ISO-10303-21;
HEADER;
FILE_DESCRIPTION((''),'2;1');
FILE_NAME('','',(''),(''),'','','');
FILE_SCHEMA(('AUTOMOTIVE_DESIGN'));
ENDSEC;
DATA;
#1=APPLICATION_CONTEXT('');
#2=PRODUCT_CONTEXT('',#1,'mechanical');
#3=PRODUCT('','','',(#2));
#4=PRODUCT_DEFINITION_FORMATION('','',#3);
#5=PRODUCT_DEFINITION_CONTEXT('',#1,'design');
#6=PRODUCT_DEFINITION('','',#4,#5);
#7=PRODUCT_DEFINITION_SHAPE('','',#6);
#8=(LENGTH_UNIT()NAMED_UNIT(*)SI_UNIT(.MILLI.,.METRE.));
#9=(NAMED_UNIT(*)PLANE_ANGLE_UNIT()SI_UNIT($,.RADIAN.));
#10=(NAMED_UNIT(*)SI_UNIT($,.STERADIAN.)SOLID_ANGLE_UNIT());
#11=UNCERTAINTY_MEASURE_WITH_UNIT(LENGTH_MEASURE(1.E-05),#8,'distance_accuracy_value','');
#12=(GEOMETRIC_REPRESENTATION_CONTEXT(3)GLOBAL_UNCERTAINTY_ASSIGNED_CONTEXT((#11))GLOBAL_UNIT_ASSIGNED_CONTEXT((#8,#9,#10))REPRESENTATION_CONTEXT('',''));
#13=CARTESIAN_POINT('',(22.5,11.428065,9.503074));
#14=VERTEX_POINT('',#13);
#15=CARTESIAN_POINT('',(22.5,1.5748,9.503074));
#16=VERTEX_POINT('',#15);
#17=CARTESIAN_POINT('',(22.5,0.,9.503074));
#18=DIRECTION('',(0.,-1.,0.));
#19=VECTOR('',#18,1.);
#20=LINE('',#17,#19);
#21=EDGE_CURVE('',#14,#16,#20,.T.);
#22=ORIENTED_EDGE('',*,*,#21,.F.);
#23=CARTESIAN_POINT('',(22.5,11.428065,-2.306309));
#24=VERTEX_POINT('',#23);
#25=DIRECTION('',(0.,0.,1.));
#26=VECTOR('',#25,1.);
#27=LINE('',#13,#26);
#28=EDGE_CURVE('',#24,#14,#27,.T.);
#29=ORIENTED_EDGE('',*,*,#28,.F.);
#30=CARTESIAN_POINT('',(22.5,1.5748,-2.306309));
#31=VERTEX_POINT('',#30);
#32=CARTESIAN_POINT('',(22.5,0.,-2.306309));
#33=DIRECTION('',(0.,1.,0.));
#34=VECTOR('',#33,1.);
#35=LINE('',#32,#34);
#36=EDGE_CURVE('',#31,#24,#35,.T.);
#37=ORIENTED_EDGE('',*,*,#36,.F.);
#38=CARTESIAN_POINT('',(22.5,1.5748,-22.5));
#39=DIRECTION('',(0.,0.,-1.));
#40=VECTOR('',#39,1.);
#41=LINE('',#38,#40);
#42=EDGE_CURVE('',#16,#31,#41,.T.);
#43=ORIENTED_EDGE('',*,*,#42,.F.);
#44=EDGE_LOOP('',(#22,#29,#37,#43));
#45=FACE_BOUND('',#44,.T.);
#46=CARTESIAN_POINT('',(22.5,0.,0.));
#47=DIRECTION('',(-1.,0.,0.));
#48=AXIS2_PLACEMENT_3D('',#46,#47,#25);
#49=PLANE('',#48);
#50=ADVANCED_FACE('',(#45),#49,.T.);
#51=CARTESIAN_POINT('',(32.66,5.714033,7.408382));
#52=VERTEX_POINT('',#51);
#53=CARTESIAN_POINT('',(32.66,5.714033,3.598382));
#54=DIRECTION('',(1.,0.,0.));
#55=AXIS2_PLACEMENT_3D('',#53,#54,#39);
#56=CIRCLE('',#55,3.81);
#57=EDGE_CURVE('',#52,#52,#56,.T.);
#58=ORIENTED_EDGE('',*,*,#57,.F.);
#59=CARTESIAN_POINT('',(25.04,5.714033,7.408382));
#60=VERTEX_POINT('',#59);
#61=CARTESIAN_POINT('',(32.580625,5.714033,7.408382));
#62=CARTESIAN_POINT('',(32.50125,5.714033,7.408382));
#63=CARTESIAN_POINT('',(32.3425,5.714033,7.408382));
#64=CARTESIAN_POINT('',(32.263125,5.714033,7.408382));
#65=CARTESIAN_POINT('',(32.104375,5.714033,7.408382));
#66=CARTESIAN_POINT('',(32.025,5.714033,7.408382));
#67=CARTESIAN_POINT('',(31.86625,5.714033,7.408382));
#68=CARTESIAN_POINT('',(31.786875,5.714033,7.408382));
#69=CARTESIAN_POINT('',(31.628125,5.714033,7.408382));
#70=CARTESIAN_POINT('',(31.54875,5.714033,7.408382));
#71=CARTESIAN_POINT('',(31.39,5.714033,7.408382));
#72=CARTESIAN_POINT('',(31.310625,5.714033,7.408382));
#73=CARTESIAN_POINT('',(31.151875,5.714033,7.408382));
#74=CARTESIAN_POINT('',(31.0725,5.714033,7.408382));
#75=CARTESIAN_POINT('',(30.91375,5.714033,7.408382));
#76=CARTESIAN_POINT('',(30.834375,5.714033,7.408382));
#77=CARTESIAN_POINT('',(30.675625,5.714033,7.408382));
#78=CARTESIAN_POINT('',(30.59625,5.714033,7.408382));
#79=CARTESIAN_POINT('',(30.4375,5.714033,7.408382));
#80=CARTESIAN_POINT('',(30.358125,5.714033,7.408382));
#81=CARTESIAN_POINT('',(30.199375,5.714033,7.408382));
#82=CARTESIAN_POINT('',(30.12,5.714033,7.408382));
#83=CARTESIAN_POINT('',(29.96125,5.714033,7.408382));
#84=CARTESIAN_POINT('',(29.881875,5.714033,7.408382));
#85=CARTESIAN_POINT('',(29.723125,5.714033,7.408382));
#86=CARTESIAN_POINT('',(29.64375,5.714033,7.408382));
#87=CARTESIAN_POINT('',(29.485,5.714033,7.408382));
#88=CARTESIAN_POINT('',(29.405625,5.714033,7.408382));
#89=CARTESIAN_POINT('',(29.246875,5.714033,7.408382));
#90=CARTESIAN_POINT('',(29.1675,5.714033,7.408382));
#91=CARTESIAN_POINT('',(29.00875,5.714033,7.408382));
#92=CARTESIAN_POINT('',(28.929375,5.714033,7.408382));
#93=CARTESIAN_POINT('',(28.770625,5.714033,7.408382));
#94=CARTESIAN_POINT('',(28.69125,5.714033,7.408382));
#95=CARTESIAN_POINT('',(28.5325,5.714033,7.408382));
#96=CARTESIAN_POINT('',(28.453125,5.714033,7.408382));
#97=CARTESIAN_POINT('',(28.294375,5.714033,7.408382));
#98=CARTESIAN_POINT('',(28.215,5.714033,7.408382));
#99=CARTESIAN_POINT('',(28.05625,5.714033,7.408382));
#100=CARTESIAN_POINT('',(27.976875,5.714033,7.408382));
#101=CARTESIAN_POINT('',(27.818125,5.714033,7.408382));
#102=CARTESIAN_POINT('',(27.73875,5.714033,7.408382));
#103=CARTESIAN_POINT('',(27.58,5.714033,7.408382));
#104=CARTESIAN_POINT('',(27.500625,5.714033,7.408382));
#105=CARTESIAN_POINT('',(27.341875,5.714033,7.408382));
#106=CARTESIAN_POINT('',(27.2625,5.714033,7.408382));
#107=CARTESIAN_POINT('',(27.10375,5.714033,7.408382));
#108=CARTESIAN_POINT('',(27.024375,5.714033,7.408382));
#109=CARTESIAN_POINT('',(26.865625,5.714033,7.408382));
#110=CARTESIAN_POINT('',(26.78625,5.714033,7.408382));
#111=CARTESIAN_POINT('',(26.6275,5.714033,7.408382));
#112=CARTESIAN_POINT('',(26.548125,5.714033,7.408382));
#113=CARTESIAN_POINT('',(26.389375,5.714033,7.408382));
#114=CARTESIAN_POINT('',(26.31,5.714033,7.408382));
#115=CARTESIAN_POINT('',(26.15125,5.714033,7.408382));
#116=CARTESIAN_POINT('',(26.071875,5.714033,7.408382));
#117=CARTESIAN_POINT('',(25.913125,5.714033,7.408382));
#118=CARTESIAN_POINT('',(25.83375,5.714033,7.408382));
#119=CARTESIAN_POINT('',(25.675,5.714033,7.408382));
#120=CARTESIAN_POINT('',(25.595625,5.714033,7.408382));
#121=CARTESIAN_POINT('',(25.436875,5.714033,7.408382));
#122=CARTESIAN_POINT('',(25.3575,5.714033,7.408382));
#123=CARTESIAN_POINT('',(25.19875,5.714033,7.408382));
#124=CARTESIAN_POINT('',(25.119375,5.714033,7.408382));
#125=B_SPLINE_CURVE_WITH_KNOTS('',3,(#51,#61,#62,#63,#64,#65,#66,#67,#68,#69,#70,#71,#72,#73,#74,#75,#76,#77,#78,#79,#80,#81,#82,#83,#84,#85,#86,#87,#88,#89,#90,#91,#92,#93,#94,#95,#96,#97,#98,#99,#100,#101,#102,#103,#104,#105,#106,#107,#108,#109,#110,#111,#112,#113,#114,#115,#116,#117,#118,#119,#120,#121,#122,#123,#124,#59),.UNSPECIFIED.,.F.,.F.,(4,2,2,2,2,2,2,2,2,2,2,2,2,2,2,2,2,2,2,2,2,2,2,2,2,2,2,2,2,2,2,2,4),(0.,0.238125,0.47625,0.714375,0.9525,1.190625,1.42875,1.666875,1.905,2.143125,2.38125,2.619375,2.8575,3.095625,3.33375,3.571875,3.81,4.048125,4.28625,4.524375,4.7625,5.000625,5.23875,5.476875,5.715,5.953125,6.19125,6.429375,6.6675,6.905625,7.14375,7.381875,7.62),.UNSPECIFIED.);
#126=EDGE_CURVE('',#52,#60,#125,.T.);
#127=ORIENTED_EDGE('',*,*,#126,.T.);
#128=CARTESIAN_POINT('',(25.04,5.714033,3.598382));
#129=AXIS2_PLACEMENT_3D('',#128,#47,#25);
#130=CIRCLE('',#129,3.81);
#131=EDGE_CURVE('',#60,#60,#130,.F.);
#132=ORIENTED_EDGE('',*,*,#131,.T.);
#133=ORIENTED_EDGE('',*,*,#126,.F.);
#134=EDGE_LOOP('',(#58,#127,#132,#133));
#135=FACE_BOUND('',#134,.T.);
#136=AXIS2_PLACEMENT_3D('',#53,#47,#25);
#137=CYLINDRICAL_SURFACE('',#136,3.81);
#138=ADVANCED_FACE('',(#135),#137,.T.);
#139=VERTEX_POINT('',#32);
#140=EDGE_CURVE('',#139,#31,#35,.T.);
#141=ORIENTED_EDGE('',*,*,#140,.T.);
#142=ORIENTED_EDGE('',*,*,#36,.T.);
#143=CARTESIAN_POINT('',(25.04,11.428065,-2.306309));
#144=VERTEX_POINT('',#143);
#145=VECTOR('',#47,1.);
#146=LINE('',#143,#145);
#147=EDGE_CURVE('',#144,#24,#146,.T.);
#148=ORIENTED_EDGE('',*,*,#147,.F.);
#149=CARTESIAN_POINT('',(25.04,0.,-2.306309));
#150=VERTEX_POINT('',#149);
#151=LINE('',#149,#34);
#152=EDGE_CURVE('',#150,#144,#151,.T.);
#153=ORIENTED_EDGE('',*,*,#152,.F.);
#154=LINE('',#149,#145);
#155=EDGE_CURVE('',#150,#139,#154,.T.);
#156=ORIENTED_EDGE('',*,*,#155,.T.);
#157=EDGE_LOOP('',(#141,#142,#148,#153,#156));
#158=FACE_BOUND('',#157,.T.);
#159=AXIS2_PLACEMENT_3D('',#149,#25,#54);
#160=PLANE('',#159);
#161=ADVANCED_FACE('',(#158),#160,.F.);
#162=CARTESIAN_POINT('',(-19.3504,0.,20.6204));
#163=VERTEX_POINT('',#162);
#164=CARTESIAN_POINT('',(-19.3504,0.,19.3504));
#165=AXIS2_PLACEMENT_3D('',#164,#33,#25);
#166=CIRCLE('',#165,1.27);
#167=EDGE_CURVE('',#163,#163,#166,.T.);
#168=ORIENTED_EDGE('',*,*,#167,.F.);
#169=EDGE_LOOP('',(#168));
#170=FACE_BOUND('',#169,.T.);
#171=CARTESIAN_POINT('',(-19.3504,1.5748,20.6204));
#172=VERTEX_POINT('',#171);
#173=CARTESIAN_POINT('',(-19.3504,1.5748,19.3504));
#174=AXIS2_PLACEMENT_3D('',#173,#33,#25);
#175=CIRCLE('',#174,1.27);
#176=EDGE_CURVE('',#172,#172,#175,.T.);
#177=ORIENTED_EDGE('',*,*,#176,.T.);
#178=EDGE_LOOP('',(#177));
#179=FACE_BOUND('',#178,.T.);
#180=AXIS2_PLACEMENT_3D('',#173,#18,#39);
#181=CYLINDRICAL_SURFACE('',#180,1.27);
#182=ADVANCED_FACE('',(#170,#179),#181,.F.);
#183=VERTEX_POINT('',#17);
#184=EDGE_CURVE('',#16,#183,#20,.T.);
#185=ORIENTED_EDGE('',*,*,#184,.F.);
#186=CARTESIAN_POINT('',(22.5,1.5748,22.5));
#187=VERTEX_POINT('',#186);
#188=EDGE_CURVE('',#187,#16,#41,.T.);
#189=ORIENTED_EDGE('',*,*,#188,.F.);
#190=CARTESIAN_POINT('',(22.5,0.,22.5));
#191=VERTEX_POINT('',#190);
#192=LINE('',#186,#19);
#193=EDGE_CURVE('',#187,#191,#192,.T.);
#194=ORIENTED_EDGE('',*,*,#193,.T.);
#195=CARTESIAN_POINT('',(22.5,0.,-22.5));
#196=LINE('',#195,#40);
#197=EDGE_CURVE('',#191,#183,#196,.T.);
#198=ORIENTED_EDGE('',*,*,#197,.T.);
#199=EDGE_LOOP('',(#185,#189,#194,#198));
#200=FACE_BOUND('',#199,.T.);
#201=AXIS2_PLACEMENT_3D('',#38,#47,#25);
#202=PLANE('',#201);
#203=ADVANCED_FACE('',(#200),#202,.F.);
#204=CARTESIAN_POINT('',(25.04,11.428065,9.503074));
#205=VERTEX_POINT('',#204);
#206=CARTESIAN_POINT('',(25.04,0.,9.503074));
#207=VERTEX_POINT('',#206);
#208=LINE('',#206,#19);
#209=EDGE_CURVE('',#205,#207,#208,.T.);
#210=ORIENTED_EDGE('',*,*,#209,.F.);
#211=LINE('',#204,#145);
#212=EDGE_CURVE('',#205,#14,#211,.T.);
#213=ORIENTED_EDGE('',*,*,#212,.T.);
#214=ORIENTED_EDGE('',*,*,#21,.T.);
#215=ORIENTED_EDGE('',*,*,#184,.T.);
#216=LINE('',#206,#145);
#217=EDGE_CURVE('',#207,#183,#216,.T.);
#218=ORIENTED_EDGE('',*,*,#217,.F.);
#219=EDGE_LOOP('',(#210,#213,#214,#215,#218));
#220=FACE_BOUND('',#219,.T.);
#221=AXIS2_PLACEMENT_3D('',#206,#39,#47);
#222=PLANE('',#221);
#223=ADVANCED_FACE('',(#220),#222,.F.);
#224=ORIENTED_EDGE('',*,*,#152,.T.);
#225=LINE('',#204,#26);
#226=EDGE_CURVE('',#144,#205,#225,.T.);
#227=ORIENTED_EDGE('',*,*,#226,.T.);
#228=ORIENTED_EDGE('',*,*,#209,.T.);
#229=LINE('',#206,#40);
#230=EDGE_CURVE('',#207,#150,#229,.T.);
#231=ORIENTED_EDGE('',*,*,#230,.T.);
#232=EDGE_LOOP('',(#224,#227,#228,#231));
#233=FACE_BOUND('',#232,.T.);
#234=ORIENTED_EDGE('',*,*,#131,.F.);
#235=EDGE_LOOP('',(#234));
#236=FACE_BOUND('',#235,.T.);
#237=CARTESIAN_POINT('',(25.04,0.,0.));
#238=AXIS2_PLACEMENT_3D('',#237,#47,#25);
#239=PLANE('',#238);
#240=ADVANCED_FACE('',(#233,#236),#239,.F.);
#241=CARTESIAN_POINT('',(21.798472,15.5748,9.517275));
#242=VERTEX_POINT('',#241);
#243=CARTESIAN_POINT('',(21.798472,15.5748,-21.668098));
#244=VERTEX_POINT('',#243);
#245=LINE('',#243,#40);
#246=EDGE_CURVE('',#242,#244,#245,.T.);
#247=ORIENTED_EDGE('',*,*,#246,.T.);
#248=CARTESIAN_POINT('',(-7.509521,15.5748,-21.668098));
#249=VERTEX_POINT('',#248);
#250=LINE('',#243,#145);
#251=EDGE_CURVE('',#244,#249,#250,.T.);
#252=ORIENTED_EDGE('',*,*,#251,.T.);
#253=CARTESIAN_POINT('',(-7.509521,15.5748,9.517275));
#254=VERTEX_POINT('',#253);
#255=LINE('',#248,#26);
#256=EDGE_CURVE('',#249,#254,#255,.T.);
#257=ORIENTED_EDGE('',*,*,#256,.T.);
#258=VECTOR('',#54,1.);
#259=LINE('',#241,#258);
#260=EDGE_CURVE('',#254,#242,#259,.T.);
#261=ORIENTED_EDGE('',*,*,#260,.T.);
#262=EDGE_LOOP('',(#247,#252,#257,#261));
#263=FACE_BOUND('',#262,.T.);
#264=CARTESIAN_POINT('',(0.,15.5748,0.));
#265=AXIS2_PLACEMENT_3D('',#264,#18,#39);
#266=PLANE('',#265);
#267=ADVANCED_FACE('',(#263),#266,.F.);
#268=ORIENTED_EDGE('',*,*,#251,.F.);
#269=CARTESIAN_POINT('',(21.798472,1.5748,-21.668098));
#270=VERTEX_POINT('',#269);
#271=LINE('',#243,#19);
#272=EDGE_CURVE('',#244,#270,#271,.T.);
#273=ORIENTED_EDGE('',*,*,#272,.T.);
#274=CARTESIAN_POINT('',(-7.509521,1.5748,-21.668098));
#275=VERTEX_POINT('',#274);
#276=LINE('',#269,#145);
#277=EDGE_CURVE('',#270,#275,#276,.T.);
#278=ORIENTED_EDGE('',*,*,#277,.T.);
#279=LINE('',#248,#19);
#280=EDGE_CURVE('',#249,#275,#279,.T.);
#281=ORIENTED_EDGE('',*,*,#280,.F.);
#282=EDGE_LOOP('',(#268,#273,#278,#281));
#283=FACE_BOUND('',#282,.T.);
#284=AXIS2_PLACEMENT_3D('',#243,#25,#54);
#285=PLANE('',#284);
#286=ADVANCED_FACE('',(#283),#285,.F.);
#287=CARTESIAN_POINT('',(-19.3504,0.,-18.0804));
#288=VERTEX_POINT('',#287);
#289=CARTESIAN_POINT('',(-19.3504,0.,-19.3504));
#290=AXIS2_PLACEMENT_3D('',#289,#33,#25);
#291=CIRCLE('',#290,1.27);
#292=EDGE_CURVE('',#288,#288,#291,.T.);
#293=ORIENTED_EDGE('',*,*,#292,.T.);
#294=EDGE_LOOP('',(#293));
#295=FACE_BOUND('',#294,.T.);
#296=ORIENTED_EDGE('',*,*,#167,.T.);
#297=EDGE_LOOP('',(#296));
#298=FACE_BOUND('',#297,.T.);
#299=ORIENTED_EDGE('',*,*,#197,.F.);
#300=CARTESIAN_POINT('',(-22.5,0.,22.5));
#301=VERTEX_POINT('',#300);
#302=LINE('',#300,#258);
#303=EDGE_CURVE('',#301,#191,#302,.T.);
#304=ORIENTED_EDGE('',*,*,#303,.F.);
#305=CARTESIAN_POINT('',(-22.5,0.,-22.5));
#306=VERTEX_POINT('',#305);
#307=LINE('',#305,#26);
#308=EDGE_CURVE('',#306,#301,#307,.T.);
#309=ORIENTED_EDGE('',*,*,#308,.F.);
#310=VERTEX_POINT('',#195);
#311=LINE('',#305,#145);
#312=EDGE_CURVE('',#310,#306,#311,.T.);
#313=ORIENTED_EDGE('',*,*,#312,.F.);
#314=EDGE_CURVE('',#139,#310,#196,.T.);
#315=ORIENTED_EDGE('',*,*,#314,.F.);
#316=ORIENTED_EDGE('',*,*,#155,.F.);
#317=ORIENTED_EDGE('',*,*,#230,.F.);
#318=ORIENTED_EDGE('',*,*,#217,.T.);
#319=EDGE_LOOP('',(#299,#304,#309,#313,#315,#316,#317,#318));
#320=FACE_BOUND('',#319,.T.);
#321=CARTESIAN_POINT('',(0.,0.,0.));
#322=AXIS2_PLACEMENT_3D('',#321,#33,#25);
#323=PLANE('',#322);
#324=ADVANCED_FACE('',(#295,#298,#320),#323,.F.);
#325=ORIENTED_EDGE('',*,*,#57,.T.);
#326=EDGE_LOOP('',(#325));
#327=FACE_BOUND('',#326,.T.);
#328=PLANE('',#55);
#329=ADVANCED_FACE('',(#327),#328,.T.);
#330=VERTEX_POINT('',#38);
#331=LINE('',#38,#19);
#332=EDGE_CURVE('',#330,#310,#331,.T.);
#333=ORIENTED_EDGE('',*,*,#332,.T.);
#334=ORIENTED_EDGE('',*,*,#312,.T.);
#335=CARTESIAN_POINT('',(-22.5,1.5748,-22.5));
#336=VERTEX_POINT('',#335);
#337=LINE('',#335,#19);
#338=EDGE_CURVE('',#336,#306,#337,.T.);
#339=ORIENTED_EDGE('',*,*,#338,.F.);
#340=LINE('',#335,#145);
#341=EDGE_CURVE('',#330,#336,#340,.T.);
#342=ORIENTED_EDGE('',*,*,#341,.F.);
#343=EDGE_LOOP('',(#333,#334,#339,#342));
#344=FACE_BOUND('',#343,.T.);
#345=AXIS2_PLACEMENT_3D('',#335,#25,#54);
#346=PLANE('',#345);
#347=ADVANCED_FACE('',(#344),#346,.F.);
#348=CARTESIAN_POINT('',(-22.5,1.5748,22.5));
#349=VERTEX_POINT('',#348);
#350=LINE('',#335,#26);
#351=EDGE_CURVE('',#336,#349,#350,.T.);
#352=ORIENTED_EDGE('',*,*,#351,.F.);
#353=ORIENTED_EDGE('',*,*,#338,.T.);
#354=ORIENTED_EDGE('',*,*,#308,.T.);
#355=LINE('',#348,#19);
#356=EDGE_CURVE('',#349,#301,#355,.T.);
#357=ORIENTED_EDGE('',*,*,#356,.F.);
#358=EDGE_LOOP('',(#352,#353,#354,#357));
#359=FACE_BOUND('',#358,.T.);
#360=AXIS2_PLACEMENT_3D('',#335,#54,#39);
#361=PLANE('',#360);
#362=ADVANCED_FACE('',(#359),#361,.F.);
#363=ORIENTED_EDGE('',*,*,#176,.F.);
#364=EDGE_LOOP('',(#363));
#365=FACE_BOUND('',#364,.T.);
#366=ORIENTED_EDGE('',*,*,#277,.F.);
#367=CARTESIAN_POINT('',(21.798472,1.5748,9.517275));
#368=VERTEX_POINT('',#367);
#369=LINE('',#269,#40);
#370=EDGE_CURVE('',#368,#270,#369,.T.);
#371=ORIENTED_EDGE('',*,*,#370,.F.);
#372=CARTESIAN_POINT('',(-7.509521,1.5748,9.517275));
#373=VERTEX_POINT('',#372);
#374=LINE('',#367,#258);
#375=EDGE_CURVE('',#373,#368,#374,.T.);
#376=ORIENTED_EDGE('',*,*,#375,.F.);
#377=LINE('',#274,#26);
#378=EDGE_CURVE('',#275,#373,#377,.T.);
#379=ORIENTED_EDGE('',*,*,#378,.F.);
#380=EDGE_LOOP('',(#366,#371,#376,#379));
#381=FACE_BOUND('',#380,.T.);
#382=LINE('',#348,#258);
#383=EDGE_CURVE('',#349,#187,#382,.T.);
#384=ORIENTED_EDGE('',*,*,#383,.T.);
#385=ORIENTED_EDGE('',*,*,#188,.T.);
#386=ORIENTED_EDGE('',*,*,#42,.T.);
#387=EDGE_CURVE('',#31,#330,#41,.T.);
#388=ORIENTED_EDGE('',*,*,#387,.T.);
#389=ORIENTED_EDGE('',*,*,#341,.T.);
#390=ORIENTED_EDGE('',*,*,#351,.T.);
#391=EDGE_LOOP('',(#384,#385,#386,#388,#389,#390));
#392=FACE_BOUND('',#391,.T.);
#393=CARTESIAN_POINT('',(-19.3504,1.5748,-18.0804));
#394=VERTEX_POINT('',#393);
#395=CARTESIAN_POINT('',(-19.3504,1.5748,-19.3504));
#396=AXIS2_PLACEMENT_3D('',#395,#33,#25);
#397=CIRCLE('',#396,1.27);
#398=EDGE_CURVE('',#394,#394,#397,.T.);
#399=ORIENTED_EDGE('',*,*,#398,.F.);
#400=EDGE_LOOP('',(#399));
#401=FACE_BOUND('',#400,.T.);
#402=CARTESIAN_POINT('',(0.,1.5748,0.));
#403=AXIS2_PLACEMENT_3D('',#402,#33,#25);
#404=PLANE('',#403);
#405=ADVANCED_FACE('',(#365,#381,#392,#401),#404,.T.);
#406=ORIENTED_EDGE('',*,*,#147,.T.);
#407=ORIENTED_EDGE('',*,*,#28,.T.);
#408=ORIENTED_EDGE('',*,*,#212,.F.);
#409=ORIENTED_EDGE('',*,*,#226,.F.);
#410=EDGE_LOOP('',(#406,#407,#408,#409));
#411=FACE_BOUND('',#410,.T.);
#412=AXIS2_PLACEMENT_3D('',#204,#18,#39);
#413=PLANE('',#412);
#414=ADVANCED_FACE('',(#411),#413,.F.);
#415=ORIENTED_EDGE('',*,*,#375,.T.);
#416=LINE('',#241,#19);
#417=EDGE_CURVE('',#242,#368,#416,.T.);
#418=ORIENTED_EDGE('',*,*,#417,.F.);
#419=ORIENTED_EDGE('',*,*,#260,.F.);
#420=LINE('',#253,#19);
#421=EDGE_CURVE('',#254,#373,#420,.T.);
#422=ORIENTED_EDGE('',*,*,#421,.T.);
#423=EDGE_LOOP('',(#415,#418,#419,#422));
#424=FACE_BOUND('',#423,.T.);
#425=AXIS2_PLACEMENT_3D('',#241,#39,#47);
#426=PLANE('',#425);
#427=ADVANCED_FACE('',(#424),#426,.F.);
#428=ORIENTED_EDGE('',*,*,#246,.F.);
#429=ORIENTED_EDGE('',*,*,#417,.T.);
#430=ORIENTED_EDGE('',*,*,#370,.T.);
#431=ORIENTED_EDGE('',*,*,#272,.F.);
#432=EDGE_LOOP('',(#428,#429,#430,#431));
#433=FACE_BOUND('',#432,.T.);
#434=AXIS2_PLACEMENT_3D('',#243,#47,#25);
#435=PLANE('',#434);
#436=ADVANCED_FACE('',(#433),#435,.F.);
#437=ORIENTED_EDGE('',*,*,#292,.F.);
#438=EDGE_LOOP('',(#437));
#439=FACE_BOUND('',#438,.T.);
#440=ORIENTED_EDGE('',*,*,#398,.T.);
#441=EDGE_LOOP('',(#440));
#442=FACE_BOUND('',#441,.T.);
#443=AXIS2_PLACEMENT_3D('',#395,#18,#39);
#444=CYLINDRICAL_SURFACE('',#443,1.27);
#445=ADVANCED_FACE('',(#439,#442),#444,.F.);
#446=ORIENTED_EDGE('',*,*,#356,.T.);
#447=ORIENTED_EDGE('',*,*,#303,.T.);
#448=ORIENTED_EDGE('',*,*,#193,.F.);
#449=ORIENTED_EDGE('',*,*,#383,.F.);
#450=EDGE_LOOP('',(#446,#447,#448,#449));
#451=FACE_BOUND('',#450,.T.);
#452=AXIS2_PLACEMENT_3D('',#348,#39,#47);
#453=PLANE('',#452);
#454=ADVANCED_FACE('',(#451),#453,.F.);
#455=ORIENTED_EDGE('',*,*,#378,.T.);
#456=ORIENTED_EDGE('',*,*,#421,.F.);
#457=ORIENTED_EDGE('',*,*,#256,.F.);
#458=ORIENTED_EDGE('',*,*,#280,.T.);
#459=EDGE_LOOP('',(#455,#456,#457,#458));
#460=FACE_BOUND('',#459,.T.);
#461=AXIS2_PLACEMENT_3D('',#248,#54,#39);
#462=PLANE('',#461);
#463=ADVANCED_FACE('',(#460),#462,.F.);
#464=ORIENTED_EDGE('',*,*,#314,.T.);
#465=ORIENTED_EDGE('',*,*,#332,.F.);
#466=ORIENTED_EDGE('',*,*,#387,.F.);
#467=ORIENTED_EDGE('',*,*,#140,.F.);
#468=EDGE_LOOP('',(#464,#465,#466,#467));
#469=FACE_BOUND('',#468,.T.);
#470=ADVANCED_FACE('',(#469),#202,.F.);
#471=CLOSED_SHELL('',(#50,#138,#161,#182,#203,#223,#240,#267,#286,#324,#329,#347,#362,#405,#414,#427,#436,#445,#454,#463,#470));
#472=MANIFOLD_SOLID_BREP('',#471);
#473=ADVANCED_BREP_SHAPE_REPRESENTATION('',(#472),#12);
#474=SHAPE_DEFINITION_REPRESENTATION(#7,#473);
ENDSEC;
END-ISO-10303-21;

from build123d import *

# Parameters (mm, degrees)
SKETCH1_W           = 45
SKETCH1_H           = 45
SKETCH1_R           = 1.27
BOSS_EXTRUDE1_DEPTH = 1.5748
SKETCH2_W           = 29.307993044
SKETCH2_H           = 31.185373382
BOSS_EXTRUDE2_DEPTH = 14
SKETCH3_W           = 11.809383556
SKETCH3_H           = 11.428065242
BOSS_EXTRUDE3_DEPTH = 2.54
SKETCH4_R           = 3.81
BOSS_EXTRUDE4_DEPTH = 7.62


with BuildPart() as part:
    # Sketch1 → Boss-Extrude1 (new body)
    with BuildSketch(Plane(origin=(0, 0, 0), x_dir=(1, 0, 0), z_dir=(0, 1, 0))):
        Rectangle(SKETCH1_W, SKETCH1_H)
        with Locations(Location((-19.3504, 19.3504, 0), (0, 0, 270))):
            Circle(SKETCH1_R, mode=Mode.SUBTRACT)
        with Locations(Location((-19.3504, -19.3504, 0), (0, 0, 270))):
            Circle(SKETCH1_R, mode=Mode.SUBTRACT)
    extrude(amount=BOSS_EXTRUDE1_DEPTH)

    # Sketch2 → Boss-Extrude2 (add)
    with BuildSketch(Plane(origin=(0, 1.5748, 0), x_dir=(1, 0, 0), z_dir=(0, 1, 0))):
        with Locations((7.144475173, 6.07541137)):
            Rectangle(SKETCH2_W, SKETCH2_H)
    extrude(amount=BOSS_EXTRUDE2_DEPTH)

    # Sketch3 → Boss-Extrude3 (add)
    with BuildSketch(Plane(origin=(22.5, 0, 0), x_dir=(0, 0, -1), z_dir=(1, 0, 0))):
        with Locations((-3.598382338, 5.714032621)):
            Rectangle(SKETCH3_W, SKETCH3_H)
    extrude(amount=BOSS_EXTRUDE3_DEPTH)

    # Sketch4 → Boss-Extrude4 (add)
    with BuildSketch(Plane(origin=(25.04, 0, 0), x_dir=(0, 0, -1), z_dir=(1, 0, 0))):
        with Locations(Location((-3.598382338, 5.714032621, 0), (0, 0, 180))):
            Circle(SKETCH4_R)
    extrude(amount=BOSS_EXTRUDE4_DEPTH)


solid = part.part
